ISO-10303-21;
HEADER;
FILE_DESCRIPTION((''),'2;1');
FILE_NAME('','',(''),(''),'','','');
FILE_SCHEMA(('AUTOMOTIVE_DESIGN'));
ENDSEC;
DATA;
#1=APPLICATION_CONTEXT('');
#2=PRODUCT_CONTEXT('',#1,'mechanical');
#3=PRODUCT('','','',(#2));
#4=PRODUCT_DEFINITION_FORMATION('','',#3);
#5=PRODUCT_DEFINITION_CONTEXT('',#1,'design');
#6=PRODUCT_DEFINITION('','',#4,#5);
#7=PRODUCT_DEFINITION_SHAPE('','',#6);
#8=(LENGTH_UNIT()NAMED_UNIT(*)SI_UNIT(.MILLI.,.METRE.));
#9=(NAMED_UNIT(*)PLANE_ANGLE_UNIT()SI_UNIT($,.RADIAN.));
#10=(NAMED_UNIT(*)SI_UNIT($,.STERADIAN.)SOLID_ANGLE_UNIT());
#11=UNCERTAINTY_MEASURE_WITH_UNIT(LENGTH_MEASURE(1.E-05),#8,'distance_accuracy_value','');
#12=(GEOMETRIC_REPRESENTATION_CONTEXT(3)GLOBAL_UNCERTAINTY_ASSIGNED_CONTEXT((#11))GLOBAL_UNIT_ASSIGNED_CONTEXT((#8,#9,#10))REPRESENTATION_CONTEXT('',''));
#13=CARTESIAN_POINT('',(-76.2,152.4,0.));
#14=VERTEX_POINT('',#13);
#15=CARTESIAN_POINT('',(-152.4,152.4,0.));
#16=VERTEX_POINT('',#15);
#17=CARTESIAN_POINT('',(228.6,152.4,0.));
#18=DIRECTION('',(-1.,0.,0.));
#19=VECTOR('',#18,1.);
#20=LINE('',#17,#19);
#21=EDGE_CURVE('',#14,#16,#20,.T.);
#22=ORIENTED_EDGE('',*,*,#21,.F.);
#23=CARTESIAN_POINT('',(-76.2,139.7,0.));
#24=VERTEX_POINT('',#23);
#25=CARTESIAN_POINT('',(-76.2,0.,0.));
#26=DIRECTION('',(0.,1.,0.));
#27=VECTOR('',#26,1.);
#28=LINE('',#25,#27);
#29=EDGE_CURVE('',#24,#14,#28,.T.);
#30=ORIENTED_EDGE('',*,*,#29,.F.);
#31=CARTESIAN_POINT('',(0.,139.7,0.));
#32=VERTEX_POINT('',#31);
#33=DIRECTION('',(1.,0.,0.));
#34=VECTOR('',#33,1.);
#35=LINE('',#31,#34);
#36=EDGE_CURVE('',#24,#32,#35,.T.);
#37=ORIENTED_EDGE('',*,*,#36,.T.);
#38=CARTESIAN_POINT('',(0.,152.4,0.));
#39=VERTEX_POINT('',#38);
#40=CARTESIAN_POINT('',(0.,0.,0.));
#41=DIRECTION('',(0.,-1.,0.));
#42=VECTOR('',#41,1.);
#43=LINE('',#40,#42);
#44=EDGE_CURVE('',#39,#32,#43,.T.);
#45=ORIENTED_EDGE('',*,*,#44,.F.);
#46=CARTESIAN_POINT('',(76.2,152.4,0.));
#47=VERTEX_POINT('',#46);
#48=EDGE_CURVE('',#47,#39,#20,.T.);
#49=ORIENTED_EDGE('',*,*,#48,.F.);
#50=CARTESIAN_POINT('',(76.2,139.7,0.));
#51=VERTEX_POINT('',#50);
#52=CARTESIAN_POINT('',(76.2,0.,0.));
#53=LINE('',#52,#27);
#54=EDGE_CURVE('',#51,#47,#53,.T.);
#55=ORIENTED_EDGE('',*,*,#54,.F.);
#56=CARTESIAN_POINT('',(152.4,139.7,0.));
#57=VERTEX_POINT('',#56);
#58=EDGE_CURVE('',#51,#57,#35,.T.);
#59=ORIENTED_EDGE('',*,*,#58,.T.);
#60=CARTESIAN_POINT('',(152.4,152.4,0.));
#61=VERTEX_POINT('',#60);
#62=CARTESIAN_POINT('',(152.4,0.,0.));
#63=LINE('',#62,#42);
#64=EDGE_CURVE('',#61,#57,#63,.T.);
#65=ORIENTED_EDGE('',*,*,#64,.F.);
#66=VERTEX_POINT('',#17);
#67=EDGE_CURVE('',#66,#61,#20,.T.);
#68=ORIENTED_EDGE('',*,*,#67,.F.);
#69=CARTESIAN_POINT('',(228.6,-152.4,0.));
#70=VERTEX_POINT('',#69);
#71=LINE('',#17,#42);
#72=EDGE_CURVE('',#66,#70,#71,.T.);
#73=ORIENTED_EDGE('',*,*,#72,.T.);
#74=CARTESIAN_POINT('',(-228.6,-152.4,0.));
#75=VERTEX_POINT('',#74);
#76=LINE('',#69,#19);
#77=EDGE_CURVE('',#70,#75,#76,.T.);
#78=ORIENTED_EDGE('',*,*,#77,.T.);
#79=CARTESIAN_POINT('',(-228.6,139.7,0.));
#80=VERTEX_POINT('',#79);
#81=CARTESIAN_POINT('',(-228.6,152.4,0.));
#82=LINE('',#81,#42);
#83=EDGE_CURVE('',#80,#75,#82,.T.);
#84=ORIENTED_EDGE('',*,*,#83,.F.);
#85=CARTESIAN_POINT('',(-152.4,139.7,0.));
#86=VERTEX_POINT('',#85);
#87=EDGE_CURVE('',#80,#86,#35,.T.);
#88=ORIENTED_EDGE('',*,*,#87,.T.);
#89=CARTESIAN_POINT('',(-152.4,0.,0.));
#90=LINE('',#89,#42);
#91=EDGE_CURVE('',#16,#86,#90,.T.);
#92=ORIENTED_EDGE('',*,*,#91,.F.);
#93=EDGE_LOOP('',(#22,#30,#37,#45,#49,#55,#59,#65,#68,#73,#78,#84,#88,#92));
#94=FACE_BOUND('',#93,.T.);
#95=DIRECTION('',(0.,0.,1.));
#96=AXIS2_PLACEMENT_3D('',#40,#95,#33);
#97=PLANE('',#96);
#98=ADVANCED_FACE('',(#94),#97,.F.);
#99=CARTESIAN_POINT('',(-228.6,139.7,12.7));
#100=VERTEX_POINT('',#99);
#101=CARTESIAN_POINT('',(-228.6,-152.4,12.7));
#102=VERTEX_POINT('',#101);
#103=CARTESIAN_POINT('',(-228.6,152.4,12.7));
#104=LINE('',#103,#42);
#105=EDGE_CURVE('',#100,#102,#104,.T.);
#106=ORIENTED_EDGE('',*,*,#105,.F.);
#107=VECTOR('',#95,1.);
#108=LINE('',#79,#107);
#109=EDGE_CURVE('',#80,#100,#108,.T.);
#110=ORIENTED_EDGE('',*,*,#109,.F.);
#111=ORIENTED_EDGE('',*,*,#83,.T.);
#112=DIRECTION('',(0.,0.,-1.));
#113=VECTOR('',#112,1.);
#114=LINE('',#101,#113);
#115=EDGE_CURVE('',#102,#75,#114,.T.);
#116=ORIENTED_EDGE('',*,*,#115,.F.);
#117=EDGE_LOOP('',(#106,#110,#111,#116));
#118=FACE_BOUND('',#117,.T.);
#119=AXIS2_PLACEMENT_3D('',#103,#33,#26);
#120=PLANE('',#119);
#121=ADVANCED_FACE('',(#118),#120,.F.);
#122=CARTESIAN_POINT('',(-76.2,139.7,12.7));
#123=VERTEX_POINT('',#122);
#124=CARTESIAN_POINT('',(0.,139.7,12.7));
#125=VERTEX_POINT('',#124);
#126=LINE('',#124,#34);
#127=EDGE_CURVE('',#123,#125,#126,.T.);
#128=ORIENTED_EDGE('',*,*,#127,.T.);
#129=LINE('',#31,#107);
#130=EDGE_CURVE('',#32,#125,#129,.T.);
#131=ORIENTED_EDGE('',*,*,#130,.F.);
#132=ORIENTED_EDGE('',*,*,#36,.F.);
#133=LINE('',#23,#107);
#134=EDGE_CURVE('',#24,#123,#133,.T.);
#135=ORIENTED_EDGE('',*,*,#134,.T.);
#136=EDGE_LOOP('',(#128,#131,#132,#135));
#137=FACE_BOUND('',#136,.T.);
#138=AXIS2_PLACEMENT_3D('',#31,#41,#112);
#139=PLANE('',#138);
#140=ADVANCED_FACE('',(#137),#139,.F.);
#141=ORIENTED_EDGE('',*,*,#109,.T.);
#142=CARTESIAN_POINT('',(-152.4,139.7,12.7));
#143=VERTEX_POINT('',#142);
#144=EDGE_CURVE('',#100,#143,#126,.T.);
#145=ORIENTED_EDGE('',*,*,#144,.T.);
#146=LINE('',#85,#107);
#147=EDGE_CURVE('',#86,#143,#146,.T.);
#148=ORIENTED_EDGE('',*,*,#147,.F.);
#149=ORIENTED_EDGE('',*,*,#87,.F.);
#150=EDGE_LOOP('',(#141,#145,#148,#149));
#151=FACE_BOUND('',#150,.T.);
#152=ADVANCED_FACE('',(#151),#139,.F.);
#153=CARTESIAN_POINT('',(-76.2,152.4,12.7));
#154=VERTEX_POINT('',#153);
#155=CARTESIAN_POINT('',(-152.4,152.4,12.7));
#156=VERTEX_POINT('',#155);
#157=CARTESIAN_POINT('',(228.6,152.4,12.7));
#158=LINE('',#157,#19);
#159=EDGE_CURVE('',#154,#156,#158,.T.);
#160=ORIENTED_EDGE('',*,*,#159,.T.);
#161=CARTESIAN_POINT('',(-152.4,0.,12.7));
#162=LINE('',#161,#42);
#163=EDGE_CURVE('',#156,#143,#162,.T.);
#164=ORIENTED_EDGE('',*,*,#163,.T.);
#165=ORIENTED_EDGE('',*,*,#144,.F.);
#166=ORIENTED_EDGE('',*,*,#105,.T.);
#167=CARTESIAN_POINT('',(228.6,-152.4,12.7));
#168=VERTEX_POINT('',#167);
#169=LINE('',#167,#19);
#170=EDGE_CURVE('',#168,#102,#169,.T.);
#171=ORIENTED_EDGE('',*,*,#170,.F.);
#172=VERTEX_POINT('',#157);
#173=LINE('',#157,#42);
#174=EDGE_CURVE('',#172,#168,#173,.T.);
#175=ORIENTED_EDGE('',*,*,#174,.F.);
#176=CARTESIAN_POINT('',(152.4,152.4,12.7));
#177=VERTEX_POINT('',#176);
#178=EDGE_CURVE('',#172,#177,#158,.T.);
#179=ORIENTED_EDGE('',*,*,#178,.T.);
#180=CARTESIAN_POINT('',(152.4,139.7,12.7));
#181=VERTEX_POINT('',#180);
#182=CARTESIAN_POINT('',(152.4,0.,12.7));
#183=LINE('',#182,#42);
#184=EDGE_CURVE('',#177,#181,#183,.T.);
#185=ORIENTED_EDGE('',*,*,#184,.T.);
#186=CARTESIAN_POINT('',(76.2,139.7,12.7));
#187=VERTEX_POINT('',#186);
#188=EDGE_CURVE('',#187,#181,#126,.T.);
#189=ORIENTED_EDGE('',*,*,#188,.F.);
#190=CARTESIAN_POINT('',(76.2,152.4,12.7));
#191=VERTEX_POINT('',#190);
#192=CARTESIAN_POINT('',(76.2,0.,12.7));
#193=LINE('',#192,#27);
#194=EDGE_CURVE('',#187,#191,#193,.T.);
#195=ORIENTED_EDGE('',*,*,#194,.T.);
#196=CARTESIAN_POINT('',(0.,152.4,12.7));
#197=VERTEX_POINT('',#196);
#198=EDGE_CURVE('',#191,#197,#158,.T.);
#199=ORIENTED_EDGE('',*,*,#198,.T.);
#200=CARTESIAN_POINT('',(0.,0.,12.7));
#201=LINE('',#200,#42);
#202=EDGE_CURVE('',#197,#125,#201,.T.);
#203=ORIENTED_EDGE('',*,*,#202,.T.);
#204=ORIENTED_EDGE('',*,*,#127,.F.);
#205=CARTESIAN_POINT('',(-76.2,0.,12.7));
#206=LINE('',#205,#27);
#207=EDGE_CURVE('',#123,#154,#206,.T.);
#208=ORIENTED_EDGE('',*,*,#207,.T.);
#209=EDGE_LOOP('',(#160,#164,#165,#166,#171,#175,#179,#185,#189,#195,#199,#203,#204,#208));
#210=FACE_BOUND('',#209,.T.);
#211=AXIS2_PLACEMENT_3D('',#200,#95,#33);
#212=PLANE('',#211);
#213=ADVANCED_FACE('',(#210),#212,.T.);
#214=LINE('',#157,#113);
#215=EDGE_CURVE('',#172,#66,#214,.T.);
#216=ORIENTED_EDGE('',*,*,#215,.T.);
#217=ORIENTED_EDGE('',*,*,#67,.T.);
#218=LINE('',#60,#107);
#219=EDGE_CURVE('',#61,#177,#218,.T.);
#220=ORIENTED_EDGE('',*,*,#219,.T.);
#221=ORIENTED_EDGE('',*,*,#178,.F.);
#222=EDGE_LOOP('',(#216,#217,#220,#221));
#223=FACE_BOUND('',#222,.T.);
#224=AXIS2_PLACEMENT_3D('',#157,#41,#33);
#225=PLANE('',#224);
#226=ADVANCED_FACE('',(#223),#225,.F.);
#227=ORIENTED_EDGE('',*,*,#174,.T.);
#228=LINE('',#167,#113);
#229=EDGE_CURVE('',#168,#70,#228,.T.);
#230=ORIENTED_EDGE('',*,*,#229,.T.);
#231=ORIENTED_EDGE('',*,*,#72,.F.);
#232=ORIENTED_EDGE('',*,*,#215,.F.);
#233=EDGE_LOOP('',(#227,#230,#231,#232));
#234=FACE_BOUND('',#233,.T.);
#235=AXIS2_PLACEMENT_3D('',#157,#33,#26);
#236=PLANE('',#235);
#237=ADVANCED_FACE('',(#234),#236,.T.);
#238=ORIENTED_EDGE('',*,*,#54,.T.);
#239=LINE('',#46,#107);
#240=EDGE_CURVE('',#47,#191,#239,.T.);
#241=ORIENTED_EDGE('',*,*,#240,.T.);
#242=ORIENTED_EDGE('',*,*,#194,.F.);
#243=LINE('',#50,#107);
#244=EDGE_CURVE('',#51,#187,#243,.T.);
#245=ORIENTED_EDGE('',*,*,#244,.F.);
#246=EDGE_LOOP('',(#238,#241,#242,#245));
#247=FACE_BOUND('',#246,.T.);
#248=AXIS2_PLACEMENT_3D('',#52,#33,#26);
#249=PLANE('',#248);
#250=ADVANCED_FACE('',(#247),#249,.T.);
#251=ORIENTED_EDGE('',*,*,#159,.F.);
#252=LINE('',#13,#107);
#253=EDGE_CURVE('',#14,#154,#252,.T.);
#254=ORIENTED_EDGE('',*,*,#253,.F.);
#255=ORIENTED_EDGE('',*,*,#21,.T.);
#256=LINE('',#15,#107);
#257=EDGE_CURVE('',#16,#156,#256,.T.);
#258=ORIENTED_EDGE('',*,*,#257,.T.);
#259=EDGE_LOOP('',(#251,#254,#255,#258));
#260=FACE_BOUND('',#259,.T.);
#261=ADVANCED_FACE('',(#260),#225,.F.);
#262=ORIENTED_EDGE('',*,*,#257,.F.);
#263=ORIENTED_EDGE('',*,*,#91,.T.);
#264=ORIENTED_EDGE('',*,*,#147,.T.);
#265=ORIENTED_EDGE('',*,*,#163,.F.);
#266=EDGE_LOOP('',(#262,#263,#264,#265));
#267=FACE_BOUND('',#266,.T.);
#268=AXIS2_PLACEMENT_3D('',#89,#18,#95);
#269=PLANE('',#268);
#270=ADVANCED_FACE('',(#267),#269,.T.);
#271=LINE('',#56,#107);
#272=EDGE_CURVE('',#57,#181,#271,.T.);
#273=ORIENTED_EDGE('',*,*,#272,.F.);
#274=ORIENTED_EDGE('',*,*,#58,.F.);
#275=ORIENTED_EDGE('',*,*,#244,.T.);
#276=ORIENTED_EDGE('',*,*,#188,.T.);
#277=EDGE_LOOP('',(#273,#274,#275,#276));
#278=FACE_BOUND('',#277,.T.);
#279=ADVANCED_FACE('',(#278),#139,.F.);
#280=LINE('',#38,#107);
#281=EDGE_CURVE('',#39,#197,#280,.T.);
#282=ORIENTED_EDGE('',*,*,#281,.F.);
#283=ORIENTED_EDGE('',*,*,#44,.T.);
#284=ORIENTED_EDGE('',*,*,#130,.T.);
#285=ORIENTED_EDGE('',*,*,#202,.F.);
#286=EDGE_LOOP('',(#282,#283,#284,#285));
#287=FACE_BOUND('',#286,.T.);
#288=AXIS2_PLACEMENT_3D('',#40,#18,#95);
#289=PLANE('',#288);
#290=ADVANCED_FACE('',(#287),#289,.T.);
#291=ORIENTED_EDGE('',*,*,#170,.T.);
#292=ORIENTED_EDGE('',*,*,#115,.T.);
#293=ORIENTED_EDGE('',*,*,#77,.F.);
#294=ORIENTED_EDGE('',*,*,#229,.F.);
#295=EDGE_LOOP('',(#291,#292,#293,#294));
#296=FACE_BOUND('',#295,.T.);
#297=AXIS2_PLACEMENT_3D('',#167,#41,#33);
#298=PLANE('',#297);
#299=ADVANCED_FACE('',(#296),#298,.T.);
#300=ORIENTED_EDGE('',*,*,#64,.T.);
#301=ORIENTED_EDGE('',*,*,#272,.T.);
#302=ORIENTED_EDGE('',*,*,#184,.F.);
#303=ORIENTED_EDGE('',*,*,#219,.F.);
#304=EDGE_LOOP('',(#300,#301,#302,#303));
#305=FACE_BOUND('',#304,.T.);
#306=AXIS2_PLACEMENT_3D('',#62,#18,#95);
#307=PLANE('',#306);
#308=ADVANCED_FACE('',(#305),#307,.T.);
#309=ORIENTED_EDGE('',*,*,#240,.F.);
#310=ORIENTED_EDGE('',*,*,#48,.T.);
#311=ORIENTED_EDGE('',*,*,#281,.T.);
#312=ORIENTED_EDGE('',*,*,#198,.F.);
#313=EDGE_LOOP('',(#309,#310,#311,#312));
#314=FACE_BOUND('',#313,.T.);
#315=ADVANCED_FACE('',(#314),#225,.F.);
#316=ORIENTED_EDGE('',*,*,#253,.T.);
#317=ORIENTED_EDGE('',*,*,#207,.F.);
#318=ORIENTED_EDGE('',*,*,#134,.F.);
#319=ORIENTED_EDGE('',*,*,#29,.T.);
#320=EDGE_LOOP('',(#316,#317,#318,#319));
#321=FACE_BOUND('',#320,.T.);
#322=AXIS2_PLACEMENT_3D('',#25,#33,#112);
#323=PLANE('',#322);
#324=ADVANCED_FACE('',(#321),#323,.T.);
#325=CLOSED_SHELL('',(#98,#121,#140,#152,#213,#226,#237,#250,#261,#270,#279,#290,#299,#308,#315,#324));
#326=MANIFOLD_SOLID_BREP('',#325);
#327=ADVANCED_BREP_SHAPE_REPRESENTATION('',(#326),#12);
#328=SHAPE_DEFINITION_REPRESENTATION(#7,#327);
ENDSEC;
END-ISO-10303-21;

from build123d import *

# Parameters (mm, degrees)
SKETCH1_W           = 457.2
SKETCH1_H           = 304.8
BOSS_EXTRUDE1_DEPTH = 12.7
SKETCH2_W           = 76.2
SKETCH2_H           = 12.7
CUT_EXTRUDE2_DEPTH  = 276.036379412


with BuildPart() as part:
    # Sketch1 → Boss-Extrude1 (new body)
    with BuildSketch(Plane.XY):
        Rectangle(SKETCH1_W, SKETCH1_H)
    extrude(amount=BOSS_EXTRUDE1_DEPTH)

    # Sketch2 → Cut-Extrude2 (cut, through all)
    with BuildSketch(Plane.XY.offset(12.7)):
        with Locations((-190.5, 146.05)):
            Rectangle(SKETCH2_W, SKETCH2_H)
        with Locations((-38.1, 146.05)):
            Rectangle(SKETCH2_W, SKETCH2_H)
        with Locations((114.3, 146.05)):
            Rectangle(SKETCH2_W, SKETCH2_H)
    extrude(amount=-CUT_EXTRUDE2_DEPTH, mode=Mode.SUBTRACT)


solid = part.part
